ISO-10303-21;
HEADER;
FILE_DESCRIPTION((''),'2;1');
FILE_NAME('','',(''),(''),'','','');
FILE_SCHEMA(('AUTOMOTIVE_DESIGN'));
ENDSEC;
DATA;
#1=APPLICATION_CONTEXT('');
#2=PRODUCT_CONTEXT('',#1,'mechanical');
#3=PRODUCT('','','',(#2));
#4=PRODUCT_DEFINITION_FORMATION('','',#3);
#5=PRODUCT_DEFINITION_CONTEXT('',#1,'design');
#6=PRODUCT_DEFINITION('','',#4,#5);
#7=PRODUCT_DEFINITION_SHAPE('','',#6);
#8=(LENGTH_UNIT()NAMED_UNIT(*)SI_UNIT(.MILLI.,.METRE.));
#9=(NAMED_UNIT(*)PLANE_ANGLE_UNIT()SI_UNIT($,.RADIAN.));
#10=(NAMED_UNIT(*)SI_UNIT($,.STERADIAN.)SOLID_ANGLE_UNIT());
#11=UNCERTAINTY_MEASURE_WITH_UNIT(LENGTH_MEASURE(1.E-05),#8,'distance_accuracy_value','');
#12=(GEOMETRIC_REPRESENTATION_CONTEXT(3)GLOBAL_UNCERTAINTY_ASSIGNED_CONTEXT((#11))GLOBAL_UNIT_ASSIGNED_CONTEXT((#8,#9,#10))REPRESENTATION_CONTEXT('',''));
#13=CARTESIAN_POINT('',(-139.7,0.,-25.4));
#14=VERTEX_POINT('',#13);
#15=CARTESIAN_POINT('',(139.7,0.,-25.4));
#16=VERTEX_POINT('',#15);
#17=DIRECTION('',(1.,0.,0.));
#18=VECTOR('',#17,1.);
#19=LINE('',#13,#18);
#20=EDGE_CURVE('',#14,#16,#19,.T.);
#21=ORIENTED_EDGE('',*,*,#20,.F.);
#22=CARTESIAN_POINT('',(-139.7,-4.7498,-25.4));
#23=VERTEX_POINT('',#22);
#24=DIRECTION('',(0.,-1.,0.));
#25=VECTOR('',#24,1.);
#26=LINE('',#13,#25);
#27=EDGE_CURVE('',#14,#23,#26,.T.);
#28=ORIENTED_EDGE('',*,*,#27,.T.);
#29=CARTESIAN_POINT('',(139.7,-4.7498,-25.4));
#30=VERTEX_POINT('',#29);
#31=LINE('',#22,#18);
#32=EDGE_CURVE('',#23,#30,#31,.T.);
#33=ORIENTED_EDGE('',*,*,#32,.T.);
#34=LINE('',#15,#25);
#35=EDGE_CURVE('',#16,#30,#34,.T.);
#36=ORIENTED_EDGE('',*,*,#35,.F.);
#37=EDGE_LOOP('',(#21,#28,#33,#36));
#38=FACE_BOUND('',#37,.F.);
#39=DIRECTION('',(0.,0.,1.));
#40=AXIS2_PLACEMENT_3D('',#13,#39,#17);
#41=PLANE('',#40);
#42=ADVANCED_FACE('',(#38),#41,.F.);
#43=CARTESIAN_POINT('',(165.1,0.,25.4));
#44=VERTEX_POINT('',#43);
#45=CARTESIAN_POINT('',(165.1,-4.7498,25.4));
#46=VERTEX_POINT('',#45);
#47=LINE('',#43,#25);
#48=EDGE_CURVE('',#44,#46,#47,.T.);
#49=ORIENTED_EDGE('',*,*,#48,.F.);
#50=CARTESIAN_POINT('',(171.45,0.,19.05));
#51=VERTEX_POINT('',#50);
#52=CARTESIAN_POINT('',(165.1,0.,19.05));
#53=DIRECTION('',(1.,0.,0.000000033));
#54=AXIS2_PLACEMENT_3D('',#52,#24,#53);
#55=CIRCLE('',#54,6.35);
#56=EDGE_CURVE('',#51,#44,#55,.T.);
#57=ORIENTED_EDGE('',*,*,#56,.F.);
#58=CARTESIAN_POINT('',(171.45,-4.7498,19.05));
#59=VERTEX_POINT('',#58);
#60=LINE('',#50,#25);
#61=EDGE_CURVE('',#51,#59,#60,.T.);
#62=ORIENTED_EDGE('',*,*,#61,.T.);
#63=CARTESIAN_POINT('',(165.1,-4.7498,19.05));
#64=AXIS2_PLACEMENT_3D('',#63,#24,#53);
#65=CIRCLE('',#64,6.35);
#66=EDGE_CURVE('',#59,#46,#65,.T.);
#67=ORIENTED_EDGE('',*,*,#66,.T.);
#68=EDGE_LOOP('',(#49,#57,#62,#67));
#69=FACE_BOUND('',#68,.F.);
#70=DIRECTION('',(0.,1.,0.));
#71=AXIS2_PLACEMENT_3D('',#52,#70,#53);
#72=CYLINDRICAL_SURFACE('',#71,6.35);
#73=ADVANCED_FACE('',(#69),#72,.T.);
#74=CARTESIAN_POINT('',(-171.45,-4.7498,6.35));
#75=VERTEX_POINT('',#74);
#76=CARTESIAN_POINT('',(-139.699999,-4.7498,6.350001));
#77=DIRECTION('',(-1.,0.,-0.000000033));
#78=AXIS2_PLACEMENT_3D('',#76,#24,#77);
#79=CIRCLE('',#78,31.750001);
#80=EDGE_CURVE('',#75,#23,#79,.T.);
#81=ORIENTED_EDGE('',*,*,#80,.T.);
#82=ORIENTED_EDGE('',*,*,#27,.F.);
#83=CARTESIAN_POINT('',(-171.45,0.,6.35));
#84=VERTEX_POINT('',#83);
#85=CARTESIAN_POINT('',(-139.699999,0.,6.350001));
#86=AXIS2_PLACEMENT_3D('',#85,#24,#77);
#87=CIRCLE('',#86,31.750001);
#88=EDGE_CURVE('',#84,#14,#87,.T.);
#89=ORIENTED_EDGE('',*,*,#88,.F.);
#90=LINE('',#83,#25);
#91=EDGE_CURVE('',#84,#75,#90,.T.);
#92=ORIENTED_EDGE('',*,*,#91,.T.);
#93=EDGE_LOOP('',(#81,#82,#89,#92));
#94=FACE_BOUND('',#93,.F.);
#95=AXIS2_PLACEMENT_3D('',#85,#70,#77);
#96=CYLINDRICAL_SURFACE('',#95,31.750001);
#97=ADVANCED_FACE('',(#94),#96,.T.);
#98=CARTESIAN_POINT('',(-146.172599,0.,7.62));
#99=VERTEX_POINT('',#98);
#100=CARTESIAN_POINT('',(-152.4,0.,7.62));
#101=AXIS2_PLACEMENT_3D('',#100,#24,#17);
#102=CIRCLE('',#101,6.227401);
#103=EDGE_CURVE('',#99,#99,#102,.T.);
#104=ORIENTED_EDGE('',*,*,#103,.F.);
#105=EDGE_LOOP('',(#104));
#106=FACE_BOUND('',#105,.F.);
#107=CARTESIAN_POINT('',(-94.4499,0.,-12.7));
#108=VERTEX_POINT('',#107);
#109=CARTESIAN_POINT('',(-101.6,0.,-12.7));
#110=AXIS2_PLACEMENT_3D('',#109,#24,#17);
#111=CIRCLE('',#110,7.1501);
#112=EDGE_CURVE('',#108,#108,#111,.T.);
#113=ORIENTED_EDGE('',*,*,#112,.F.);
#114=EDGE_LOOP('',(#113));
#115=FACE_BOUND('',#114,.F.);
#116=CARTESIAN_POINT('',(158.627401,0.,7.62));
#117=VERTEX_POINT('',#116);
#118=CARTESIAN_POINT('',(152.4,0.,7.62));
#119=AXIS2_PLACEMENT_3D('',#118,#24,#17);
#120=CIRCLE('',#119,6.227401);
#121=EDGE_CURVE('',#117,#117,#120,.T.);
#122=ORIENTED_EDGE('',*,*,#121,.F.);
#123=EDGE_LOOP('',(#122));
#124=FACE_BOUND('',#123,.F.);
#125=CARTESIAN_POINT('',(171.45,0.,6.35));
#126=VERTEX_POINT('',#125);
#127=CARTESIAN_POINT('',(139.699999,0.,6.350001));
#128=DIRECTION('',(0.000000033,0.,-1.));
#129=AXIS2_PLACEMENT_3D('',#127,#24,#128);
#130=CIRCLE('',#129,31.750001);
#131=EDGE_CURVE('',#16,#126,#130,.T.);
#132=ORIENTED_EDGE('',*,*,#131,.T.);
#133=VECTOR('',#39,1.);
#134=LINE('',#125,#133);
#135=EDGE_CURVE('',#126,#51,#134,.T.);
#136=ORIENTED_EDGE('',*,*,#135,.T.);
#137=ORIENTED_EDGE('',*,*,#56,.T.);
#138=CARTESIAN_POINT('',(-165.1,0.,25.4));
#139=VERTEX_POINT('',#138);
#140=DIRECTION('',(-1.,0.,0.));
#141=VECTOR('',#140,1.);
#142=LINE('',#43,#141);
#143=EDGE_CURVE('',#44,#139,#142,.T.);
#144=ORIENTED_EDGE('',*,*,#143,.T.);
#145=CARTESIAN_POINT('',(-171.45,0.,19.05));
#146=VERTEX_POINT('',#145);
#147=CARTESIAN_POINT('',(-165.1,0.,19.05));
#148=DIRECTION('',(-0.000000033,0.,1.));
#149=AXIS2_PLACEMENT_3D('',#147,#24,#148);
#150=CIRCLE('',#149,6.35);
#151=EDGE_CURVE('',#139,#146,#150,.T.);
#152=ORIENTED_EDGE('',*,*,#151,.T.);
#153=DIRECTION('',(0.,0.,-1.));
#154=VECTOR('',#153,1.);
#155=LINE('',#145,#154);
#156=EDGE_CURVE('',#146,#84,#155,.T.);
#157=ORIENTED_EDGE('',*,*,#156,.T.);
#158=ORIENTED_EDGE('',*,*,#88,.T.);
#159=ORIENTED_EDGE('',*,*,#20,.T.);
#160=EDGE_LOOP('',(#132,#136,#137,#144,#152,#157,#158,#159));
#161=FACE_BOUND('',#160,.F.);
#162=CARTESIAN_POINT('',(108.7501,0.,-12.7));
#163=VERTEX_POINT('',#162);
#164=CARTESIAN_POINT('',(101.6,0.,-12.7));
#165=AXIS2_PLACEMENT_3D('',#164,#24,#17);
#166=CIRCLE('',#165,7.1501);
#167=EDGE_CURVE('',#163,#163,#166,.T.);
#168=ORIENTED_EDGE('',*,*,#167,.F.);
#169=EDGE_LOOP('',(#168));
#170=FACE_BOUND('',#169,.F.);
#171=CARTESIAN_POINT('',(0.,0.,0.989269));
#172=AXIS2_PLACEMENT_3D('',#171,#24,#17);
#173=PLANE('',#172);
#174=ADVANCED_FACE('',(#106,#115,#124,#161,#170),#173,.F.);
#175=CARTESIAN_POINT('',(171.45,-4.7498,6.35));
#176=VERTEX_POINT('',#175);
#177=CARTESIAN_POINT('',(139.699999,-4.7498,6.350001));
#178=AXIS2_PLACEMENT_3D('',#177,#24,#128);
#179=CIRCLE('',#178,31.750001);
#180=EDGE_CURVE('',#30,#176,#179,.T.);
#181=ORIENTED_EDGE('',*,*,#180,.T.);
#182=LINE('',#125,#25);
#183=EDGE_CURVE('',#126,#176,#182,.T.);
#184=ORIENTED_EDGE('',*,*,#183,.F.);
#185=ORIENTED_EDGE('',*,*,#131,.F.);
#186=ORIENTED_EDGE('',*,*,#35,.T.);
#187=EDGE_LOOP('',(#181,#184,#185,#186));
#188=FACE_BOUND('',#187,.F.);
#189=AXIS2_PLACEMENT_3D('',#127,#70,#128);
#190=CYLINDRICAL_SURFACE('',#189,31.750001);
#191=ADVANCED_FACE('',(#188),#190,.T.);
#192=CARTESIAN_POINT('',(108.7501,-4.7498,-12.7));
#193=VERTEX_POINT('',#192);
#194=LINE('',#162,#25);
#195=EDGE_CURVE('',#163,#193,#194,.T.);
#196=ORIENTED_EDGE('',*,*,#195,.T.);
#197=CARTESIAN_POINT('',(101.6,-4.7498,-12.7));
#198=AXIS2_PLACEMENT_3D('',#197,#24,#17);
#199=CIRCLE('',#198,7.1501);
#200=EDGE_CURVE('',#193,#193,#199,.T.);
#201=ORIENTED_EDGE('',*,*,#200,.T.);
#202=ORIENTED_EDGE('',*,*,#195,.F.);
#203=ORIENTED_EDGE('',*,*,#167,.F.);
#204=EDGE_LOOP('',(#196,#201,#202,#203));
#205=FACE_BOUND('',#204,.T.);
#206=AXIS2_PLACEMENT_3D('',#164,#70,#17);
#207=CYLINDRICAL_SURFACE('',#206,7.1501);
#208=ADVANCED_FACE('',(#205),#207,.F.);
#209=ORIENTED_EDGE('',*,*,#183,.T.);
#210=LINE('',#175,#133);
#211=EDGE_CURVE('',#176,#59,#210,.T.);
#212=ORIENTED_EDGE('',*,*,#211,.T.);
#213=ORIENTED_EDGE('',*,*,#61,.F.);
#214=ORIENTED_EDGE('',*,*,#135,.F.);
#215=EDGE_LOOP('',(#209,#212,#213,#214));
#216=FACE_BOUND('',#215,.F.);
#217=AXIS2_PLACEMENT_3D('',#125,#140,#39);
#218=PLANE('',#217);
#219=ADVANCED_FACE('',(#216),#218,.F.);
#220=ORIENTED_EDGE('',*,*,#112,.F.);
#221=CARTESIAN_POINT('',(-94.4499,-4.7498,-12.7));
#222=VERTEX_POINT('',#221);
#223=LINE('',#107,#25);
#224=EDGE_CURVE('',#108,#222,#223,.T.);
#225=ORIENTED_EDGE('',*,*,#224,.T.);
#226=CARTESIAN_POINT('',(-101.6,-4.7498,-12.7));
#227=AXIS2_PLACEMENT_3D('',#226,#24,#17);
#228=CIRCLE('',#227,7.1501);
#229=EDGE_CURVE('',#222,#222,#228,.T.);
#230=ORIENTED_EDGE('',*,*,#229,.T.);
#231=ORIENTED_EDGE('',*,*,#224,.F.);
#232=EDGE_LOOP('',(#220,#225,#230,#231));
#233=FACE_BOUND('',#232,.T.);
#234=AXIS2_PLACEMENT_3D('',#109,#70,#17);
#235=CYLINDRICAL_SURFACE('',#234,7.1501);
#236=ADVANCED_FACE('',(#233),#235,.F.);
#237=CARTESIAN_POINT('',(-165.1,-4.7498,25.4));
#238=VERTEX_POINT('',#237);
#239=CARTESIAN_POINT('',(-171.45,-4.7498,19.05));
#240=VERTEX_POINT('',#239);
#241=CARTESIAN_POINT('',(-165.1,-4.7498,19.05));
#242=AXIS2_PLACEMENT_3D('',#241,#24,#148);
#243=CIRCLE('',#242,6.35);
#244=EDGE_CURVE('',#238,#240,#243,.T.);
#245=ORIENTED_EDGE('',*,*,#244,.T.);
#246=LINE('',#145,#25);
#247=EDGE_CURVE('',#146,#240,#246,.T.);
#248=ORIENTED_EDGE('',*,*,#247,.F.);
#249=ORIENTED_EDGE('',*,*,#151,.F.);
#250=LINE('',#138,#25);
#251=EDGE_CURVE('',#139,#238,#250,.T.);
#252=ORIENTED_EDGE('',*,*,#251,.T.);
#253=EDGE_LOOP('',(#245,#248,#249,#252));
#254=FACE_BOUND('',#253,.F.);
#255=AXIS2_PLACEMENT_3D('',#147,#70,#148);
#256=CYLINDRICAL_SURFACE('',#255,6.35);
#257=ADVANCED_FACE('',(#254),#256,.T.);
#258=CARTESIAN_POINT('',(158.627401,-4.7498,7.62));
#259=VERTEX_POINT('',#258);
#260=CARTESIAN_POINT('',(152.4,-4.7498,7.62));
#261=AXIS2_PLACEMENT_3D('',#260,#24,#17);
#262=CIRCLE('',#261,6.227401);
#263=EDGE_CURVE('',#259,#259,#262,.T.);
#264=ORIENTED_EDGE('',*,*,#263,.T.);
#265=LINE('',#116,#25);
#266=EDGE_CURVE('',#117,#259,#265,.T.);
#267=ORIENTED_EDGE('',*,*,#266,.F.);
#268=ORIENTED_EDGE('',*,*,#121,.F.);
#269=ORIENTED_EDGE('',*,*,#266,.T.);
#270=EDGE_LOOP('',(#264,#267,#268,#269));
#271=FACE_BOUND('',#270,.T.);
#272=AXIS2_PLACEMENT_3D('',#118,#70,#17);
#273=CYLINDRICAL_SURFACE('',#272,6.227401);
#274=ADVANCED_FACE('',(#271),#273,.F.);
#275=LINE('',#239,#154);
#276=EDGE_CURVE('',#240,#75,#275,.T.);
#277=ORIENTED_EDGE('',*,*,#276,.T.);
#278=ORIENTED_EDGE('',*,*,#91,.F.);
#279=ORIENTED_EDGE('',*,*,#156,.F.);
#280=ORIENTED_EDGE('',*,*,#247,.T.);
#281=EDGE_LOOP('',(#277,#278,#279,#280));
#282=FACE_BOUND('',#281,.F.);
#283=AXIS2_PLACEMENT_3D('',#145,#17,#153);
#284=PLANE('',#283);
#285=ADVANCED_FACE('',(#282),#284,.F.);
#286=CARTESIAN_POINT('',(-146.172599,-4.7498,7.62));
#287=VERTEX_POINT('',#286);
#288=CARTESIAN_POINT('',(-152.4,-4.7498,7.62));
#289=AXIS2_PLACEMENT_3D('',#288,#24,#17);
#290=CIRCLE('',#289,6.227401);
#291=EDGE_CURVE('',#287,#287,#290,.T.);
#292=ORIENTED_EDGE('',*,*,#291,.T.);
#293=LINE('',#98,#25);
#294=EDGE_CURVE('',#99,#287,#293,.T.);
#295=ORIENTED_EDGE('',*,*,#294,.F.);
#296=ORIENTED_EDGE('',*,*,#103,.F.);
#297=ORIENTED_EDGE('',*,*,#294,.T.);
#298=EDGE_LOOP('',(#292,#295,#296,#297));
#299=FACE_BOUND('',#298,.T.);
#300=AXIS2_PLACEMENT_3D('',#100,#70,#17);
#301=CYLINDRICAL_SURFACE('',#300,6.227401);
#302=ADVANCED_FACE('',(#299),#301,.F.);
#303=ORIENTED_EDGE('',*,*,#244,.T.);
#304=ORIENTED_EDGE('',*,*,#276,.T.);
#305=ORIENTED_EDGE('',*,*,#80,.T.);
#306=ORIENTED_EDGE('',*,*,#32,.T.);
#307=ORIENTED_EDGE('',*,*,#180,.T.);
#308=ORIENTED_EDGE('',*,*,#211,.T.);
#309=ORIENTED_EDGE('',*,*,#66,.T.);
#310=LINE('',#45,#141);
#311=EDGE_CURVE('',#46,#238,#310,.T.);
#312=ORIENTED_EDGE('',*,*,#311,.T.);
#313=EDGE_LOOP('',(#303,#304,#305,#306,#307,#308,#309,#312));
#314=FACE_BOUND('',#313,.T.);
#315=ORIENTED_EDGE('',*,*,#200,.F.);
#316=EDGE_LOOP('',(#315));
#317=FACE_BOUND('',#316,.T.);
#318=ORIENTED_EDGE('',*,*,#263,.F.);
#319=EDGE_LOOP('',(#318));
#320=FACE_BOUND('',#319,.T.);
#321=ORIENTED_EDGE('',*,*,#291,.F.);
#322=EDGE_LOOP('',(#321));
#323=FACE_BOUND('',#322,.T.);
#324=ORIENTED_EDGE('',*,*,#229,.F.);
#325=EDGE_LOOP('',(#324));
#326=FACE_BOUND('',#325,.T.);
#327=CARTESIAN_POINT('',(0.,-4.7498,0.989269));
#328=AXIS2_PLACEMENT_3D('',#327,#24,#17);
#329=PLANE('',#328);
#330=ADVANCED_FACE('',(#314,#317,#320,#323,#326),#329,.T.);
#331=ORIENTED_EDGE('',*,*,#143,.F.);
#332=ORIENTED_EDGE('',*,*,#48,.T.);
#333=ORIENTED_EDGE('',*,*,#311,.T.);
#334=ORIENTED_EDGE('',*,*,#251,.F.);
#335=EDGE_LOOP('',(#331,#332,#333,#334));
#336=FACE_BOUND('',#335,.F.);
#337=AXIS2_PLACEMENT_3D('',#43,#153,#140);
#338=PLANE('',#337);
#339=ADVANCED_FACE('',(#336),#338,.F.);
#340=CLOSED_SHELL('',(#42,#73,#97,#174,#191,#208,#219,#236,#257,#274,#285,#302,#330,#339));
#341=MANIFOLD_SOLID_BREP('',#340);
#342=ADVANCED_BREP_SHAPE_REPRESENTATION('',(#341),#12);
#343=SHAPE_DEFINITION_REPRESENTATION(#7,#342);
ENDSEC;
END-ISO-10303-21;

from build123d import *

# Parameters (mm, degrees)
F0_R     = 7.1501
F0_R_2   = 6.227401
F1_DEPTH = 4.7498


with BuildPart() as f1:
    # F0 (on Front) → F1 (new body)
    with BuildSketch(Plane.XZ):
        with BuildLine():
            Line((-139.7, -25.4), (139.7, -25.4))
            ThreePointArc((139.7, -25.4), (162.15064, -16.10064), (171.45, 6.35))
            Line((171.45, 6.35), (171.45, 19.05))
            ThreePointArc((171.45, 19.05), (169.590128, 23.540128), (165.1, 25.4))
            Line((165.1, 25.4), (-165.1, 25.4))
            ThreePointArc((-165.1, 25.4), (-169.590128, 23.540128), (-171.45, 19.05))
            Line((-171.45, 19.05), (-171.45, 6.35))
            ThreePointArc((-171.45, 6.35), (-162.15064, -16.10064), (-139.7, -25.4))
        make_face()
        with Locations((-101.6, -12.7)):
            Circle(F0_R, mode=Mode.SUBTRACT)
        with Locations((101.6, -12.7)):
            Circle(F0_R, mode=Mode.SUBTRACT)
        with Locations((-152.4, 7.62)):
            Circle(F0_R_2, mode=Mode.SUBTRACT)
        with Locations((152.4, 7.62)):
            Circle(F0_R_2, mode=Mode.SUBTRACT)
    extrude(amount=F1_DEPTH)


solid = f1.part
